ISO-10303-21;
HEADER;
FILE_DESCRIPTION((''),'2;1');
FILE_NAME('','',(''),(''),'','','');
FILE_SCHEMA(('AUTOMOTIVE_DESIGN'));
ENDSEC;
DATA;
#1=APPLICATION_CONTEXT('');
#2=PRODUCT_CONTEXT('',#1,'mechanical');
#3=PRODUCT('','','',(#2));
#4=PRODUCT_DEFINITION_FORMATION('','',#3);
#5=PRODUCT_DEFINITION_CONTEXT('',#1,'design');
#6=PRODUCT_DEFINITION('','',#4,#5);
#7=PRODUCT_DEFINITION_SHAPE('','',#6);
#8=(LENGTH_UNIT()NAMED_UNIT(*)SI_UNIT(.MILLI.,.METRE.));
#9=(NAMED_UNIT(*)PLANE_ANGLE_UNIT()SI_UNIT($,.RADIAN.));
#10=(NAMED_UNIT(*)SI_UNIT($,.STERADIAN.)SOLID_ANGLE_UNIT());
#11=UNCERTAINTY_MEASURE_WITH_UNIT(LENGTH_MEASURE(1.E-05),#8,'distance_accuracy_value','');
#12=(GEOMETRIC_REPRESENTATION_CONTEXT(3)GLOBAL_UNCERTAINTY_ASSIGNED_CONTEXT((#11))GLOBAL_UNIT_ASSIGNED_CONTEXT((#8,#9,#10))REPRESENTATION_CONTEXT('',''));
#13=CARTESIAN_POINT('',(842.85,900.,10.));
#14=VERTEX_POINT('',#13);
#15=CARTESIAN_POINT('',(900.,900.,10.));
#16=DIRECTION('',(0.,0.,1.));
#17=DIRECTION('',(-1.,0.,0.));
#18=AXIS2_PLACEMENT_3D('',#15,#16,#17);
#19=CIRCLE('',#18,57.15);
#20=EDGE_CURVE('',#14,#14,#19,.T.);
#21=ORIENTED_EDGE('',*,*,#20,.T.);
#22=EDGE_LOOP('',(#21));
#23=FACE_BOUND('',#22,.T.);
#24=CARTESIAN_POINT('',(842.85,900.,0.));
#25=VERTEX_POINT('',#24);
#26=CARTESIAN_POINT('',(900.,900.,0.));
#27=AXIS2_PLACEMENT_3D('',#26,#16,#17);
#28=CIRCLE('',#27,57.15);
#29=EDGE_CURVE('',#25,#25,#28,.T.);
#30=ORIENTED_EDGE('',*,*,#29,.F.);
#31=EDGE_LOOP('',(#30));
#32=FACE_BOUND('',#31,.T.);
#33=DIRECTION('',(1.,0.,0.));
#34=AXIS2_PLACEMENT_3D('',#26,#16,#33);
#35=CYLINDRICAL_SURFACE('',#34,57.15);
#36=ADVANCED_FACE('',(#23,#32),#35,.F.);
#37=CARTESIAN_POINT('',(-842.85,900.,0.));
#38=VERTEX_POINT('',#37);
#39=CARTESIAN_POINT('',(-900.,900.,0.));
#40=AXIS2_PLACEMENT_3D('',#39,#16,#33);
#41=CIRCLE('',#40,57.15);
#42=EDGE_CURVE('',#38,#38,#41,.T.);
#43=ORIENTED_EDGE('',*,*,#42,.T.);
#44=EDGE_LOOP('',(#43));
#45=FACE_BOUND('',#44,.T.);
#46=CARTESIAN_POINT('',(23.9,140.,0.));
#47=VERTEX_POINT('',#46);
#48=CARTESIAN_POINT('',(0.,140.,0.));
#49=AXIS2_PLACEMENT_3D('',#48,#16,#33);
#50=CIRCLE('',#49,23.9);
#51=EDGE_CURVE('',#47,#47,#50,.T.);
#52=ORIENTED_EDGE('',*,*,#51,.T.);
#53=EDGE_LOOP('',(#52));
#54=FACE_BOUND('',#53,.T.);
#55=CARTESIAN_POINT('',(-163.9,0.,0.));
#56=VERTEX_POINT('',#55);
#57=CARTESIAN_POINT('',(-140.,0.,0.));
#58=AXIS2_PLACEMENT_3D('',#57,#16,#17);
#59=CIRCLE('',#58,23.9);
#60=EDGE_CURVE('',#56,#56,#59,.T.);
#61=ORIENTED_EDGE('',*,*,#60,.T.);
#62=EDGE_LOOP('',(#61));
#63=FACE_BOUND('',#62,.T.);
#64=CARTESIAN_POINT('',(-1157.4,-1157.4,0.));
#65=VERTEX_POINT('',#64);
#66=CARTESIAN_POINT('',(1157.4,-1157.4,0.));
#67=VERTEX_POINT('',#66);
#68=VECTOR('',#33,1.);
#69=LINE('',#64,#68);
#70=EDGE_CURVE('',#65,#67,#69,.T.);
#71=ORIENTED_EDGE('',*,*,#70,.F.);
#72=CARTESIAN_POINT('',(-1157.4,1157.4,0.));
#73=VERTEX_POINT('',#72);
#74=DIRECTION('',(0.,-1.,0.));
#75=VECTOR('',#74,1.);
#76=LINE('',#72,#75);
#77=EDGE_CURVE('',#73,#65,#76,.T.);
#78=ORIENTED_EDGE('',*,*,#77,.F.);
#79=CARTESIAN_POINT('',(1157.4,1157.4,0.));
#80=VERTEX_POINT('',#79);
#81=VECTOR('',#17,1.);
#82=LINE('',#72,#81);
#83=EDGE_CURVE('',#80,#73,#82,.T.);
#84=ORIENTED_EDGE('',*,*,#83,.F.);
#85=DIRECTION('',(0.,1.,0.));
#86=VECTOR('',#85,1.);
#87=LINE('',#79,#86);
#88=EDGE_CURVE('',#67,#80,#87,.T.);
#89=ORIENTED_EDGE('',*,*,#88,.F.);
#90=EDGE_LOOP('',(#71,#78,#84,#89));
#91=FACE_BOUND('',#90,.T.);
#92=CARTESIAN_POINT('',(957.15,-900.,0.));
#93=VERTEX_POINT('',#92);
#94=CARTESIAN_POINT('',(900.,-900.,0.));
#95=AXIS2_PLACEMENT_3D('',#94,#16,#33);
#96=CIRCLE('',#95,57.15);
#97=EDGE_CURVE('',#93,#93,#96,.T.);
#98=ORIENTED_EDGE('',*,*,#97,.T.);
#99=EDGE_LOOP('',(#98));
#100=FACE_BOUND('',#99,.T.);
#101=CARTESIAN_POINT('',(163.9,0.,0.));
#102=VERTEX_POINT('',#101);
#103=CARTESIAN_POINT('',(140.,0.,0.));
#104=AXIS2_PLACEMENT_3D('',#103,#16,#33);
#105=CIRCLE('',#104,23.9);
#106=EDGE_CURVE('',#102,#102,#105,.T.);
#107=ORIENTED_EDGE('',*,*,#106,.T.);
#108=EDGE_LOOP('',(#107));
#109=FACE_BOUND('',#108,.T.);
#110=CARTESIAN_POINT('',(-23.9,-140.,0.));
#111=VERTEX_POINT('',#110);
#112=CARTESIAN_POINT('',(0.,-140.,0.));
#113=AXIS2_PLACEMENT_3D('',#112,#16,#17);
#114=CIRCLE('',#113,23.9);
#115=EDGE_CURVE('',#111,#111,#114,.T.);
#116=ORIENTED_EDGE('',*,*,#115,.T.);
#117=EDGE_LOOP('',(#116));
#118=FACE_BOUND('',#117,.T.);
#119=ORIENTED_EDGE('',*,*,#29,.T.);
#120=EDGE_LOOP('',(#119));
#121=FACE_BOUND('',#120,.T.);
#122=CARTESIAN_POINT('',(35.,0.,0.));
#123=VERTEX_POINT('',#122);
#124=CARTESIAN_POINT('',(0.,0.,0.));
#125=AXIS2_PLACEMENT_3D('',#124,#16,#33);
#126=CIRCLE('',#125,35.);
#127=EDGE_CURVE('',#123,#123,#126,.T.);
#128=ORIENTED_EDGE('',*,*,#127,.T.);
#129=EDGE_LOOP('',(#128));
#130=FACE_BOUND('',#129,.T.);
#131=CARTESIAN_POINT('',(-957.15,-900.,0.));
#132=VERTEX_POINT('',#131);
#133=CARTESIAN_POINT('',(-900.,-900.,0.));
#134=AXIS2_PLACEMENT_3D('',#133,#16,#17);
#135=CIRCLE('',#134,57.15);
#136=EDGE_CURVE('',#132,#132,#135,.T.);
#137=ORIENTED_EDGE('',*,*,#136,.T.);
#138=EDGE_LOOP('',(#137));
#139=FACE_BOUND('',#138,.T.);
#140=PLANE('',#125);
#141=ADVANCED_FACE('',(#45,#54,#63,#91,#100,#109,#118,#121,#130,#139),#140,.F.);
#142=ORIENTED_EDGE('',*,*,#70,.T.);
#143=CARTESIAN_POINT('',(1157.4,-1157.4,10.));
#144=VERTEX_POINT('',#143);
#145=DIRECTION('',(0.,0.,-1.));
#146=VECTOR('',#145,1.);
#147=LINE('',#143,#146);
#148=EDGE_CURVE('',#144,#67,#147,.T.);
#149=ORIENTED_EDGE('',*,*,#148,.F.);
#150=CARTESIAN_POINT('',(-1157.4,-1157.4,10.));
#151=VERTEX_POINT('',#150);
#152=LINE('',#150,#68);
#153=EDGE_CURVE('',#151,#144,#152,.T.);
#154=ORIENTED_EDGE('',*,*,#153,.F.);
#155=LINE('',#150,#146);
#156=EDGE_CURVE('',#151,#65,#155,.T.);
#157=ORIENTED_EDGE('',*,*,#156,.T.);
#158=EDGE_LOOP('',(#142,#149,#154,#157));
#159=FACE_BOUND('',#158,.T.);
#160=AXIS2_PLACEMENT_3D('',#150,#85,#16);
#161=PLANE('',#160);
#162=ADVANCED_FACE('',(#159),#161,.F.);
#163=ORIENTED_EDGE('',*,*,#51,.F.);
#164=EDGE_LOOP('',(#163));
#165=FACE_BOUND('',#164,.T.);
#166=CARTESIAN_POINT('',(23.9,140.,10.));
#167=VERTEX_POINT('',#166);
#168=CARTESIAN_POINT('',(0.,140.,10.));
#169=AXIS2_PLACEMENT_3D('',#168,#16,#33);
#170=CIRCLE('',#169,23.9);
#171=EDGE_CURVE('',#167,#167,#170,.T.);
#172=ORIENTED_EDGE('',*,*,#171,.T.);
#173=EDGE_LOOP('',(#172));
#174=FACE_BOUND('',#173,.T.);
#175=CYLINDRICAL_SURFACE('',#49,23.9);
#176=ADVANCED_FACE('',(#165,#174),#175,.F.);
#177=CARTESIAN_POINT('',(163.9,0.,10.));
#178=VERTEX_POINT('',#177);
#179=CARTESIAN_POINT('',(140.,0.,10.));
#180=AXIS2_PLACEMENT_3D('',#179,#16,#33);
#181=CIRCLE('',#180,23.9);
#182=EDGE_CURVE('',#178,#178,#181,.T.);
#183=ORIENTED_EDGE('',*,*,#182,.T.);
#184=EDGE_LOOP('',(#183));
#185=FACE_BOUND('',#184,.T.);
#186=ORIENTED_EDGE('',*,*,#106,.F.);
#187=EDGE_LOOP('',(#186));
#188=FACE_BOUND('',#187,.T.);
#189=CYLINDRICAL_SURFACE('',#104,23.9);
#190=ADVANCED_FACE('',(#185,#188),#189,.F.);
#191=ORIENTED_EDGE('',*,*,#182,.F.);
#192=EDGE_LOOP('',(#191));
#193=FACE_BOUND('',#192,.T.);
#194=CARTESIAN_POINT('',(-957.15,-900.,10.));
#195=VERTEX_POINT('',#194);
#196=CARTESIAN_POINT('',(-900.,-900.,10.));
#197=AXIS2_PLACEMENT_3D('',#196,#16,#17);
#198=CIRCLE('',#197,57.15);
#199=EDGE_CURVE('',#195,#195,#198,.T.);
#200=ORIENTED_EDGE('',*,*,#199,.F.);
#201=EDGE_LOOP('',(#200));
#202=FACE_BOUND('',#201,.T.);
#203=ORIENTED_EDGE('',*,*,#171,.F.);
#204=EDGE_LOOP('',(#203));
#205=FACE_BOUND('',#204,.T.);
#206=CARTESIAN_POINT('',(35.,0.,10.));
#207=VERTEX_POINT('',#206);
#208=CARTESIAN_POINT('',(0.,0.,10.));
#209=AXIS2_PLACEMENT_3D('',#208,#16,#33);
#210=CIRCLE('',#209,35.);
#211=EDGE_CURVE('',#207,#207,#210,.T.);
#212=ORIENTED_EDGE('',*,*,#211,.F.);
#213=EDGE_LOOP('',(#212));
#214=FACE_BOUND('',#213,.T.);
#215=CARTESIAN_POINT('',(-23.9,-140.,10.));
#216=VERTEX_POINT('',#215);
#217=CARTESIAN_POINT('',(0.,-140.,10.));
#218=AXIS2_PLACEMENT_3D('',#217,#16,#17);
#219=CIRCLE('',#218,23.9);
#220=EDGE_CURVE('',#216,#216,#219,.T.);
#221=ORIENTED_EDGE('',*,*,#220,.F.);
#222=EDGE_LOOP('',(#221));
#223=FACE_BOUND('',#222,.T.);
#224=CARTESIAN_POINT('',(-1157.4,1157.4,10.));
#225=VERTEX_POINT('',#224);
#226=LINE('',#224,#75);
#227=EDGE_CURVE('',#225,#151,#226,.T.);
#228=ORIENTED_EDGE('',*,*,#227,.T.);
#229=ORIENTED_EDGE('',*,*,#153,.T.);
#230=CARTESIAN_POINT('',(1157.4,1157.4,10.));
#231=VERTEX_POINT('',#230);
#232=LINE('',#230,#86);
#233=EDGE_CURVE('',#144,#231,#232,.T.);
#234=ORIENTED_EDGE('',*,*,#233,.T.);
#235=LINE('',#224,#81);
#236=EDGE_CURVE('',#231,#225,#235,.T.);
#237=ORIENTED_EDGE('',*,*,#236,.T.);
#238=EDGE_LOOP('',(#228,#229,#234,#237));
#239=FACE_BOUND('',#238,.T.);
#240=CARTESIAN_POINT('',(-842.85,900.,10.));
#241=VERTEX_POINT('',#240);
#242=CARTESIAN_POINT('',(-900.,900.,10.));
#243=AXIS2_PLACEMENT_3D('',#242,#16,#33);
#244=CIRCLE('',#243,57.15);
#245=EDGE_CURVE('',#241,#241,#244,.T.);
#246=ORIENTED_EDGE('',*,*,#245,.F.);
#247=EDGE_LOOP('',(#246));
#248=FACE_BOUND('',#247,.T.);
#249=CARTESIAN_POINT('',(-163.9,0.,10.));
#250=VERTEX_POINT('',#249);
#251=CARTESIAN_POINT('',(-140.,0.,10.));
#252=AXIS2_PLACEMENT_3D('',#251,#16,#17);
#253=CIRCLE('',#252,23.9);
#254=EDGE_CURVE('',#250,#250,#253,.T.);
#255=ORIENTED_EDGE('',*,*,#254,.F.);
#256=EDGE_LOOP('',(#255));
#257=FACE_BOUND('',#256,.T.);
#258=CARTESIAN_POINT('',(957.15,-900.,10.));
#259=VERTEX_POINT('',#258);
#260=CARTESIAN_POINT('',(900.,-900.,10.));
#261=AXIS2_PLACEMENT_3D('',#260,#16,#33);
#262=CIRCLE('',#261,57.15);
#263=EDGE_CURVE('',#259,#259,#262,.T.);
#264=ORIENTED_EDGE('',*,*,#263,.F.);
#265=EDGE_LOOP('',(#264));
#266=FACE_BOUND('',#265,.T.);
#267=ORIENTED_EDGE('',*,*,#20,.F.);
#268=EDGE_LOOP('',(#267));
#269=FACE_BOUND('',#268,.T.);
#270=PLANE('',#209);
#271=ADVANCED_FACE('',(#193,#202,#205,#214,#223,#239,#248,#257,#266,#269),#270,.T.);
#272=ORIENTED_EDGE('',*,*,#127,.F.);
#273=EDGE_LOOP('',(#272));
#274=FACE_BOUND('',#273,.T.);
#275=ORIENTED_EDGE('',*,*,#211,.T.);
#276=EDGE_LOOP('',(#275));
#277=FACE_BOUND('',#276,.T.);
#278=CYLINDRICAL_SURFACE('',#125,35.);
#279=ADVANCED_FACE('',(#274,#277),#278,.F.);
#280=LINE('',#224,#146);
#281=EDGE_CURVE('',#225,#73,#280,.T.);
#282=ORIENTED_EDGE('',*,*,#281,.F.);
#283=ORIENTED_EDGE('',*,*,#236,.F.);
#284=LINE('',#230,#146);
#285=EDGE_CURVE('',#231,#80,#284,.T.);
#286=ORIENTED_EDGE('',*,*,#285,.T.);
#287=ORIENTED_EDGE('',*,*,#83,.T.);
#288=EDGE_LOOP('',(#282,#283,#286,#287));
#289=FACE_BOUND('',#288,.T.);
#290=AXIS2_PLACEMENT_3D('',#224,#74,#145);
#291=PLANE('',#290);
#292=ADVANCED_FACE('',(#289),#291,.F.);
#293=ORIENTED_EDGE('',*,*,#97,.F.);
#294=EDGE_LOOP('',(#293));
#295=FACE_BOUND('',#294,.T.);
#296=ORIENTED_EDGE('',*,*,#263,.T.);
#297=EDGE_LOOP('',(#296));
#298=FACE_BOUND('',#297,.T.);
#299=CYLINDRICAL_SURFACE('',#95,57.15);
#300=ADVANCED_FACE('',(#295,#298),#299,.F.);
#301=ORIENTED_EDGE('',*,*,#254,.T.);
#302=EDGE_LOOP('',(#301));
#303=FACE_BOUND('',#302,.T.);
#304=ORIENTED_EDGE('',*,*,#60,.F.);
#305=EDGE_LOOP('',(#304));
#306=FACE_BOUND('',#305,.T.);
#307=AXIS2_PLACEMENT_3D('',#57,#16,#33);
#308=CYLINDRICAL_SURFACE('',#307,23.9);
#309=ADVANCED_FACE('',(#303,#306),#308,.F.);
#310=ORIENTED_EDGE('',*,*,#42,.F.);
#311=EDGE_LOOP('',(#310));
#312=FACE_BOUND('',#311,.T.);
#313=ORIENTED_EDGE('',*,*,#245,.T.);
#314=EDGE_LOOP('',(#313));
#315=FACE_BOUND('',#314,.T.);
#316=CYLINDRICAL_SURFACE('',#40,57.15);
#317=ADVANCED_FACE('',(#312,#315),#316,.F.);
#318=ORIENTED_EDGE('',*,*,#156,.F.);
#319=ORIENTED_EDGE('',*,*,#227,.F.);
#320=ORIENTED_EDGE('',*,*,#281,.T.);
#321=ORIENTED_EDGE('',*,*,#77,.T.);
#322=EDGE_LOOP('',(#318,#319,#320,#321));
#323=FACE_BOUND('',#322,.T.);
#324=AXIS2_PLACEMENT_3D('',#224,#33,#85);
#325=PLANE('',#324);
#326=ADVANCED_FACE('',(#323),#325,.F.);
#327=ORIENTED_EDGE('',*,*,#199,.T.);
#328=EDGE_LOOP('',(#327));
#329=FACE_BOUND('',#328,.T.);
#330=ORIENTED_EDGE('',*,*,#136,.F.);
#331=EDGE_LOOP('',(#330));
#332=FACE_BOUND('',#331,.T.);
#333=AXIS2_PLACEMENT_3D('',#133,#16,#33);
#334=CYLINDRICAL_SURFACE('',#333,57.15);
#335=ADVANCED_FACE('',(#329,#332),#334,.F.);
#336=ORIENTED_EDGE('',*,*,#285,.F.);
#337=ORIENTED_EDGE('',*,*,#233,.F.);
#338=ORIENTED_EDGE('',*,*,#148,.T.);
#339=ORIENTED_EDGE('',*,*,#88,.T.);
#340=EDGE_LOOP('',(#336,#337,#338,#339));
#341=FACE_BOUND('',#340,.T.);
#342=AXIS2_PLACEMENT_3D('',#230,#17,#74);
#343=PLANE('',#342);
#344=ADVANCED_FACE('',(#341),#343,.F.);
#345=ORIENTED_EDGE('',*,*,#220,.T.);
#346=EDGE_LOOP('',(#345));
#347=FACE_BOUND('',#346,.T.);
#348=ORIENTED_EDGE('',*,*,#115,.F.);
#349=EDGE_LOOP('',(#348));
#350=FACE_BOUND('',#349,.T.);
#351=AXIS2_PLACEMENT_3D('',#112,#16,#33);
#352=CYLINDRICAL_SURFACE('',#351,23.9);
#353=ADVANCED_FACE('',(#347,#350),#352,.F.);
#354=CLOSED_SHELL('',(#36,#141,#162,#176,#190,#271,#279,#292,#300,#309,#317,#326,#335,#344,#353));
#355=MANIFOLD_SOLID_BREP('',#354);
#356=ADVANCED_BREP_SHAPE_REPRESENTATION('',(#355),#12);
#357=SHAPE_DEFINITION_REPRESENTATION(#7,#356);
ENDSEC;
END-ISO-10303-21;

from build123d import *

# Parameters (mm, degrees)
SKETCH1_W           = 2314.8
SKETCH1_H           = 2314.8
BOSS_EXTRUDE1_DEPTH = 10
SKETCH2_R           = 35
SKETCH2_R_2         = 23.9
SKETCH2_R_3         = 57.15
CUT_EXTRUDE1_DEPTH  = 10


with BuildPart() as part:
    # Sketch1 → Boss-Extrude1 (new body)
    with BuildSketch(Plane.XY):
        Rectangle(SKETCH1_W, SKETCH1_H)
    extrude(amount=BOSS_EXTRUDE1_DEPTH)

    # Sketch2 → Cut-Extrude1 (cut)
    with BuildSketch(Plane.XY.offset(10)):
        Circle(SKETCH2_R)
        with Locations((0, 140)):
            Circle(SKETCH2_R_2)
        with Locations((0, -140)):
            Circle(SKETCH2_R_2)
        with Locations((140, 0)):
            Circle(SKETCH2_R_2)
        with Locations((-140, 0)):
            Circle(SKETCH2_R_2)
        with Locations((-900, 900)):
            Circle(SKETCH2_R_3)
        with Locations((900, 900)):
            Circle(SKETCH2_R_3)
        with Locations((900, -900)):
            Circle(SKETCH2_R_3)
        with Locations((-900, -900)):
            Circle(SKETCH2_R_3)
    extrude(amount=-CUT_EXTRUDE1_DEPTH, mode=Mode.SUBTRACT)


solid = part.part
